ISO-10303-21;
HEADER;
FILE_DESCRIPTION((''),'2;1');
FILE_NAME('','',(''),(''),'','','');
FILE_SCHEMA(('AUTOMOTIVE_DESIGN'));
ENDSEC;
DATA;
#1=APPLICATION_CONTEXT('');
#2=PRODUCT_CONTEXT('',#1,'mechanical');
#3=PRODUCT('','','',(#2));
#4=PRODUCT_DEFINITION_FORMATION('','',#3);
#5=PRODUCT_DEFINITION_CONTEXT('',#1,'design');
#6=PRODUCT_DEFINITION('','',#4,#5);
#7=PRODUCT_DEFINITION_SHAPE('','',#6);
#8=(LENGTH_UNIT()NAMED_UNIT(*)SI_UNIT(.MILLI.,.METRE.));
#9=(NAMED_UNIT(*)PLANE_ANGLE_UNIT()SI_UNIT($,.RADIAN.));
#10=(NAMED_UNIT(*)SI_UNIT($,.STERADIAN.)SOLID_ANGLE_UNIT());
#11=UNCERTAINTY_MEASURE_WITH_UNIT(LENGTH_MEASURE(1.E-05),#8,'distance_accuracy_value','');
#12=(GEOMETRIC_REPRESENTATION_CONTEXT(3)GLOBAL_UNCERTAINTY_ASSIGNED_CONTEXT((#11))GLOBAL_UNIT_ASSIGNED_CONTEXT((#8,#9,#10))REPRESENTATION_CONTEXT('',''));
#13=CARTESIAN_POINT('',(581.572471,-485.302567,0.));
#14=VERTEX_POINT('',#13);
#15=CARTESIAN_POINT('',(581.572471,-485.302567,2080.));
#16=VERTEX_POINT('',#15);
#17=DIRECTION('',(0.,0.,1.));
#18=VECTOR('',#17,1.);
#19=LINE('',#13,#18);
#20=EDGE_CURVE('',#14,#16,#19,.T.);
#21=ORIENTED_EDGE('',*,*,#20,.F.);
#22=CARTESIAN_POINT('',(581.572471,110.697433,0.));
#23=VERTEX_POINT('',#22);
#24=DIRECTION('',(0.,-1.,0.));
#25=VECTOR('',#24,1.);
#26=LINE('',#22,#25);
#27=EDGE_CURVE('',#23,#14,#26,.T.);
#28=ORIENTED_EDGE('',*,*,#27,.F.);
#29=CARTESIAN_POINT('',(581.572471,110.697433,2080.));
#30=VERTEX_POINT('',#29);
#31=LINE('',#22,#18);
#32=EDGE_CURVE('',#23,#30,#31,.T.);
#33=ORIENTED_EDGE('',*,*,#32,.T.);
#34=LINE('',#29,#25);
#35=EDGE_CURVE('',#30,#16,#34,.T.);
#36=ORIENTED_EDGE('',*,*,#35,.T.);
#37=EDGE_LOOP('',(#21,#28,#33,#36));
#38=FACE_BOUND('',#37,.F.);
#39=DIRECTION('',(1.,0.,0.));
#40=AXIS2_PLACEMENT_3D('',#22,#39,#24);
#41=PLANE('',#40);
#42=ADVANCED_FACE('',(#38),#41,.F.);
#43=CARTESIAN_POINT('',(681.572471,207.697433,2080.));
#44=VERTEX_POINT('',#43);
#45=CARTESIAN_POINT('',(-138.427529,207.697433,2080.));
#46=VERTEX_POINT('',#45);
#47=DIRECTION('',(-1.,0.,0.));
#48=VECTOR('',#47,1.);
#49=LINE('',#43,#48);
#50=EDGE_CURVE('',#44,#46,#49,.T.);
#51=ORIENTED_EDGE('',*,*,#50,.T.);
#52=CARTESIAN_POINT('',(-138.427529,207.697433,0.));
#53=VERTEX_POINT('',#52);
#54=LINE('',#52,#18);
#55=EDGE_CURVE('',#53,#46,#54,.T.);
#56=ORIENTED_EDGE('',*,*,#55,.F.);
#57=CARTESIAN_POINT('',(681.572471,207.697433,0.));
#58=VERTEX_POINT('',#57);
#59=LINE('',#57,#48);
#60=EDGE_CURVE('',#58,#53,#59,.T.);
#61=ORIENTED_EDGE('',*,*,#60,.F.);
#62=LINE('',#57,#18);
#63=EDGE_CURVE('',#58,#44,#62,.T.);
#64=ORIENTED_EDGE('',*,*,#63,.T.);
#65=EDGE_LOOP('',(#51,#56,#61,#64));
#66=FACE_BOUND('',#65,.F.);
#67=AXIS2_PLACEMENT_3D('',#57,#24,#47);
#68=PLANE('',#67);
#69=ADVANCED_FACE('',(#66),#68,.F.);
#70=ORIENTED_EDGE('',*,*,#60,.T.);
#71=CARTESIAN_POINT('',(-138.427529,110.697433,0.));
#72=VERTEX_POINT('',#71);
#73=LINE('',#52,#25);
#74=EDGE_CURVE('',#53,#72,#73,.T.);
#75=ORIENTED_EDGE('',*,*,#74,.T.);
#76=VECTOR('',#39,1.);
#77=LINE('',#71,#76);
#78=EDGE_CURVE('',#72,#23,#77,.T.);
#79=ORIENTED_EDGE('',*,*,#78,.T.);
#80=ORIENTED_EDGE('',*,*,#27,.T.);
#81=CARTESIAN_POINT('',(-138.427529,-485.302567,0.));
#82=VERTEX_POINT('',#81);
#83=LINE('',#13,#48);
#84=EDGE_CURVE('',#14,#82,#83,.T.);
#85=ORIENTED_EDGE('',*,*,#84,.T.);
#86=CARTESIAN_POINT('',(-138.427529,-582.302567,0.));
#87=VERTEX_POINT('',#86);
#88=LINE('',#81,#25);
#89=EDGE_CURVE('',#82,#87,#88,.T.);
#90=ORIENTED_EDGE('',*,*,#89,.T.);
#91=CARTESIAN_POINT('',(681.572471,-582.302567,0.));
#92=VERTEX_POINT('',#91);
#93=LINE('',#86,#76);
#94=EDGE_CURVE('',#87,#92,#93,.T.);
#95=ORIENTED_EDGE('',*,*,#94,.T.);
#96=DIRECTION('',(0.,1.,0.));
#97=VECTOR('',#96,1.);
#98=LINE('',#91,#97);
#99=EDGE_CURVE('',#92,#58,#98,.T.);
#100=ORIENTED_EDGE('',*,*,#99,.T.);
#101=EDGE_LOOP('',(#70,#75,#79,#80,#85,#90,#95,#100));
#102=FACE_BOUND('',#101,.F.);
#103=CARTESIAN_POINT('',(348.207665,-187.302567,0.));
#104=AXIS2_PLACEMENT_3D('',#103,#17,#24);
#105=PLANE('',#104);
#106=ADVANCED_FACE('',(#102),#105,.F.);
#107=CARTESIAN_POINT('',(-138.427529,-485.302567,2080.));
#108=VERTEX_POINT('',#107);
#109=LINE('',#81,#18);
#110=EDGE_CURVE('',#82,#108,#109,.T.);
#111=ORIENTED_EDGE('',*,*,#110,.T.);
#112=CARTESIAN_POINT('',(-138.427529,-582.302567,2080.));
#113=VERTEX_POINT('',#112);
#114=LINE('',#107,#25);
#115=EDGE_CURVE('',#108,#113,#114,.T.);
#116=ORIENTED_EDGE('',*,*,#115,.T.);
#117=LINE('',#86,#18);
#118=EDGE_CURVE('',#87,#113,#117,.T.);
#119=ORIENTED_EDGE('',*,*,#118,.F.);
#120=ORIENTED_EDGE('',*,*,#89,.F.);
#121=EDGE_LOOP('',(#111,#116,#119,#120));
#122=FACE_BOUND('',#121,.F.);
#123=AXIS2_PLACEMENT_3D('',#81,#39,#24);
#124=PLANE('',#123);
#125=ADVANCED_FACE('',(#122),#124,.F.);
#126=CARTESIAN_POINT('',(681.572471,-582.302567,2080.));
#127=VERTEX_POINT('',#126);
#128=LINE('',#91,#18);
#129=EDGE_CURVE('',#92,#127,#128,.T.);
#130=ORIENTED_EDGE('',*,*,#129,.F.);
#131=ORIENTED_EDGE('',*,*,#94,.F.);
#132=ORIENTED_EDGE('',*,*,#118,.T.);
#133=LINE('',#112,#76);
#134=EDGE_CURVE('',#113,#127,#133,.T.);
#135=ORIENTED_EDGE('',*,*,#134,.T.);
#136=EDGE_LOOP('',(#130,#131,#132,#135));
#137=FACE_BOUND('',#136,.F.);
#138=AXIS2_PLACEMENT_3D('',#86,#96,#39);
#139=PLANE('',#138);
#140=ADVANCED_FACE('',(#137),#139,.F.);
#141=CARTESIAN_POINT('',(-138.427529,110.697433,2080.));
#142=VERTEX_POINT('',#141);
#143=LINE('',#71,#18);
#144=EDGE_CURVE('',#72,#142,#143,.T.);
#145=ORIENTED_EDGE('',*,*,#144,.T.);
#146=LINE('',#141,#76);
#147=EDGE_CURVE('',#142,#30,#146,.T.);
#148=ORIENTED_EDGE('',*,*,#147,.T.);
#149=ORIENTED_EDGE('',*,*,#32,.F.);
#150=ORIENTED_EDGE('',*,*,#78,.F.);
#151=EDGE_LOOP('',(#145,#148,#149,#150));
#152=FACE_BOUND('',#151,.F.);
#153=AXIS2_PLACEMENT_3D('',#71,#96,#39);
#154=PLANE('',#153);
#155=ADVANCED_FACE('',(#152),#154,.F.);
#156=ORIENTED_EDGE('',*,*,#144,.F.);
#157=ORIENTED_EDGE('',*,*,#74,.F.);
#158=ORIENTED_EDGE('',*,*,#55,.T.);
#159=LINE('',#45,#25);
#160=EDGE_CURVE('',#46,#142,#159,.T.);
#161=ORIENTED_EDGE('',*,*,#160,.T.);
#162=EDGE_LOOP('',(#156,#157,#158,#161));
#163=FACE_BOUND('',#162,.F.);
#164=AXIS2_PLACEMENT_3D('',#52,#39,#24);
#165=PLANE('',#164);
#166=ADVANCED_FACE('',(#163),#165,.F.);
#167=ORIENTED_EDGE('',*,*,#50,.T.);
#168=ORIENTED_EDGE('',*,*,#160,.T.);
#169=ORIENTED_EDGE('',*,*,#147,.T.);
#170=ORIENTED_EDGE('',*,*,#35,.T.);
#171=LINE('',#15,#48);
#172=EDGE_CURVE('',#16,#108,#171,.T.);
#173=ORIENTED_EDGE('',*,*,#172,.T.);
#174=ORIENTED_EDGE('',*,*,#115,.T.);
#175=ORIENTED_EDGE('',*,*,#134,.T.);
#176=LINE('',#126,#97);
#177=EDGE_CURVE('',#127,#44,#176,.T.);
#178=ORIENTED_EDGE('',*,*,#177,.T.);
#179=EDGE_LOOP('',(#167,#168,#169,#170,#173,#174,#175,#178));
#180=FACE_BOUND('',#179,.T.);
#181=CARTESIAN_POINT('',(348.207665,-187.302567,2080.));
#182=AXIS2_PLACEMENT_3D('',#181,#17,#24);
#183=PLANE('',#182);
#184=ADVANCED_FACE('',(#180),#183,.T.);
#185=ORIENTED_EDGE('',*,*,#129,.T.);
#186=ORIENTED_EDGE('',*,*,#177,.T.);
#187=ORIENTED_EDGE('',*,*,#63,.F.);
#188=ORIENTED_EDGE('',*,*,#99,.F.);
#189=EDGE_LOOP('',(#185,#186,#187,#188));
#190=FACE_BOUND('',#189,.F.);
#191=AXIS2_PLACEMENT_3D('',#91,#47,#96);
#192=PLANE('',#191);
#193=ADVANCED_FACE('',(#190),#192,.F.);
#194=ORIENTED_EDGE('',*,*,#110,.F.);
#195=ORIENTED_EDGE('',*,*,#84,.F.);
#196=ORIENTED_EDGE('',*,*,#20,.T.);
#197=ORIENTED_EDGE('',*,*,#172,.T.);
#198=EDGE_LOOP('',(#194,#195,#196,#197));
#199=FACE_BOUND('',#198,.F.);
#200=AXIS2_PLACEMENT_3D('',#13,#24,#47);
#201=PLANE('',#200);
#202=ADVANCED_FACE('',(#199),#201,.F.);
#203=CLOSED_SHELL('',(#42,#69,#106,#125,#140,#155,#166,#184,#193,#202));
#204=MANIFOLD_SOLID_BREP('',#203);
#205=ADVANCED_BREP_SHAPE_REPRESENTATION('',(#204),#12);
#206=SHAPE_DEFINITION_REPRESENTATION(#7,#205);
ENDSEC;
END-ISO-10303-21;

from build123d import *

# Parameters (mm, degrees)
F1_DEPTH = 2080
F2_ANGLE = 90


with BuildPart() as f1:
    # F0 (on Top) → F1 (new body)
    with BuildSketch(Plane.XY):
        Polygon((457.5724713802, 830.6974333525), (457.5724713802, 110.6974333525), (554.5724713802, 110.6974333525), (554.5724713802, 930.6974333525), (-235.4275286198, 930.6974333525), (-235.4275286198, 110.6974333525), (-138.4275286198, 110.6974333525), (-138.4275286198, 830.6974333525), align=None)
    extrude(amount=F1_DEPTH)


with BuildPart() as f1_1:
    # F2: moved
    add(f1.part.rotate(Axis((-138.4275286198, 110.6974333525, 1040), (0, 0, -1)), F2_ANGLE))


solid = f1_1.part
